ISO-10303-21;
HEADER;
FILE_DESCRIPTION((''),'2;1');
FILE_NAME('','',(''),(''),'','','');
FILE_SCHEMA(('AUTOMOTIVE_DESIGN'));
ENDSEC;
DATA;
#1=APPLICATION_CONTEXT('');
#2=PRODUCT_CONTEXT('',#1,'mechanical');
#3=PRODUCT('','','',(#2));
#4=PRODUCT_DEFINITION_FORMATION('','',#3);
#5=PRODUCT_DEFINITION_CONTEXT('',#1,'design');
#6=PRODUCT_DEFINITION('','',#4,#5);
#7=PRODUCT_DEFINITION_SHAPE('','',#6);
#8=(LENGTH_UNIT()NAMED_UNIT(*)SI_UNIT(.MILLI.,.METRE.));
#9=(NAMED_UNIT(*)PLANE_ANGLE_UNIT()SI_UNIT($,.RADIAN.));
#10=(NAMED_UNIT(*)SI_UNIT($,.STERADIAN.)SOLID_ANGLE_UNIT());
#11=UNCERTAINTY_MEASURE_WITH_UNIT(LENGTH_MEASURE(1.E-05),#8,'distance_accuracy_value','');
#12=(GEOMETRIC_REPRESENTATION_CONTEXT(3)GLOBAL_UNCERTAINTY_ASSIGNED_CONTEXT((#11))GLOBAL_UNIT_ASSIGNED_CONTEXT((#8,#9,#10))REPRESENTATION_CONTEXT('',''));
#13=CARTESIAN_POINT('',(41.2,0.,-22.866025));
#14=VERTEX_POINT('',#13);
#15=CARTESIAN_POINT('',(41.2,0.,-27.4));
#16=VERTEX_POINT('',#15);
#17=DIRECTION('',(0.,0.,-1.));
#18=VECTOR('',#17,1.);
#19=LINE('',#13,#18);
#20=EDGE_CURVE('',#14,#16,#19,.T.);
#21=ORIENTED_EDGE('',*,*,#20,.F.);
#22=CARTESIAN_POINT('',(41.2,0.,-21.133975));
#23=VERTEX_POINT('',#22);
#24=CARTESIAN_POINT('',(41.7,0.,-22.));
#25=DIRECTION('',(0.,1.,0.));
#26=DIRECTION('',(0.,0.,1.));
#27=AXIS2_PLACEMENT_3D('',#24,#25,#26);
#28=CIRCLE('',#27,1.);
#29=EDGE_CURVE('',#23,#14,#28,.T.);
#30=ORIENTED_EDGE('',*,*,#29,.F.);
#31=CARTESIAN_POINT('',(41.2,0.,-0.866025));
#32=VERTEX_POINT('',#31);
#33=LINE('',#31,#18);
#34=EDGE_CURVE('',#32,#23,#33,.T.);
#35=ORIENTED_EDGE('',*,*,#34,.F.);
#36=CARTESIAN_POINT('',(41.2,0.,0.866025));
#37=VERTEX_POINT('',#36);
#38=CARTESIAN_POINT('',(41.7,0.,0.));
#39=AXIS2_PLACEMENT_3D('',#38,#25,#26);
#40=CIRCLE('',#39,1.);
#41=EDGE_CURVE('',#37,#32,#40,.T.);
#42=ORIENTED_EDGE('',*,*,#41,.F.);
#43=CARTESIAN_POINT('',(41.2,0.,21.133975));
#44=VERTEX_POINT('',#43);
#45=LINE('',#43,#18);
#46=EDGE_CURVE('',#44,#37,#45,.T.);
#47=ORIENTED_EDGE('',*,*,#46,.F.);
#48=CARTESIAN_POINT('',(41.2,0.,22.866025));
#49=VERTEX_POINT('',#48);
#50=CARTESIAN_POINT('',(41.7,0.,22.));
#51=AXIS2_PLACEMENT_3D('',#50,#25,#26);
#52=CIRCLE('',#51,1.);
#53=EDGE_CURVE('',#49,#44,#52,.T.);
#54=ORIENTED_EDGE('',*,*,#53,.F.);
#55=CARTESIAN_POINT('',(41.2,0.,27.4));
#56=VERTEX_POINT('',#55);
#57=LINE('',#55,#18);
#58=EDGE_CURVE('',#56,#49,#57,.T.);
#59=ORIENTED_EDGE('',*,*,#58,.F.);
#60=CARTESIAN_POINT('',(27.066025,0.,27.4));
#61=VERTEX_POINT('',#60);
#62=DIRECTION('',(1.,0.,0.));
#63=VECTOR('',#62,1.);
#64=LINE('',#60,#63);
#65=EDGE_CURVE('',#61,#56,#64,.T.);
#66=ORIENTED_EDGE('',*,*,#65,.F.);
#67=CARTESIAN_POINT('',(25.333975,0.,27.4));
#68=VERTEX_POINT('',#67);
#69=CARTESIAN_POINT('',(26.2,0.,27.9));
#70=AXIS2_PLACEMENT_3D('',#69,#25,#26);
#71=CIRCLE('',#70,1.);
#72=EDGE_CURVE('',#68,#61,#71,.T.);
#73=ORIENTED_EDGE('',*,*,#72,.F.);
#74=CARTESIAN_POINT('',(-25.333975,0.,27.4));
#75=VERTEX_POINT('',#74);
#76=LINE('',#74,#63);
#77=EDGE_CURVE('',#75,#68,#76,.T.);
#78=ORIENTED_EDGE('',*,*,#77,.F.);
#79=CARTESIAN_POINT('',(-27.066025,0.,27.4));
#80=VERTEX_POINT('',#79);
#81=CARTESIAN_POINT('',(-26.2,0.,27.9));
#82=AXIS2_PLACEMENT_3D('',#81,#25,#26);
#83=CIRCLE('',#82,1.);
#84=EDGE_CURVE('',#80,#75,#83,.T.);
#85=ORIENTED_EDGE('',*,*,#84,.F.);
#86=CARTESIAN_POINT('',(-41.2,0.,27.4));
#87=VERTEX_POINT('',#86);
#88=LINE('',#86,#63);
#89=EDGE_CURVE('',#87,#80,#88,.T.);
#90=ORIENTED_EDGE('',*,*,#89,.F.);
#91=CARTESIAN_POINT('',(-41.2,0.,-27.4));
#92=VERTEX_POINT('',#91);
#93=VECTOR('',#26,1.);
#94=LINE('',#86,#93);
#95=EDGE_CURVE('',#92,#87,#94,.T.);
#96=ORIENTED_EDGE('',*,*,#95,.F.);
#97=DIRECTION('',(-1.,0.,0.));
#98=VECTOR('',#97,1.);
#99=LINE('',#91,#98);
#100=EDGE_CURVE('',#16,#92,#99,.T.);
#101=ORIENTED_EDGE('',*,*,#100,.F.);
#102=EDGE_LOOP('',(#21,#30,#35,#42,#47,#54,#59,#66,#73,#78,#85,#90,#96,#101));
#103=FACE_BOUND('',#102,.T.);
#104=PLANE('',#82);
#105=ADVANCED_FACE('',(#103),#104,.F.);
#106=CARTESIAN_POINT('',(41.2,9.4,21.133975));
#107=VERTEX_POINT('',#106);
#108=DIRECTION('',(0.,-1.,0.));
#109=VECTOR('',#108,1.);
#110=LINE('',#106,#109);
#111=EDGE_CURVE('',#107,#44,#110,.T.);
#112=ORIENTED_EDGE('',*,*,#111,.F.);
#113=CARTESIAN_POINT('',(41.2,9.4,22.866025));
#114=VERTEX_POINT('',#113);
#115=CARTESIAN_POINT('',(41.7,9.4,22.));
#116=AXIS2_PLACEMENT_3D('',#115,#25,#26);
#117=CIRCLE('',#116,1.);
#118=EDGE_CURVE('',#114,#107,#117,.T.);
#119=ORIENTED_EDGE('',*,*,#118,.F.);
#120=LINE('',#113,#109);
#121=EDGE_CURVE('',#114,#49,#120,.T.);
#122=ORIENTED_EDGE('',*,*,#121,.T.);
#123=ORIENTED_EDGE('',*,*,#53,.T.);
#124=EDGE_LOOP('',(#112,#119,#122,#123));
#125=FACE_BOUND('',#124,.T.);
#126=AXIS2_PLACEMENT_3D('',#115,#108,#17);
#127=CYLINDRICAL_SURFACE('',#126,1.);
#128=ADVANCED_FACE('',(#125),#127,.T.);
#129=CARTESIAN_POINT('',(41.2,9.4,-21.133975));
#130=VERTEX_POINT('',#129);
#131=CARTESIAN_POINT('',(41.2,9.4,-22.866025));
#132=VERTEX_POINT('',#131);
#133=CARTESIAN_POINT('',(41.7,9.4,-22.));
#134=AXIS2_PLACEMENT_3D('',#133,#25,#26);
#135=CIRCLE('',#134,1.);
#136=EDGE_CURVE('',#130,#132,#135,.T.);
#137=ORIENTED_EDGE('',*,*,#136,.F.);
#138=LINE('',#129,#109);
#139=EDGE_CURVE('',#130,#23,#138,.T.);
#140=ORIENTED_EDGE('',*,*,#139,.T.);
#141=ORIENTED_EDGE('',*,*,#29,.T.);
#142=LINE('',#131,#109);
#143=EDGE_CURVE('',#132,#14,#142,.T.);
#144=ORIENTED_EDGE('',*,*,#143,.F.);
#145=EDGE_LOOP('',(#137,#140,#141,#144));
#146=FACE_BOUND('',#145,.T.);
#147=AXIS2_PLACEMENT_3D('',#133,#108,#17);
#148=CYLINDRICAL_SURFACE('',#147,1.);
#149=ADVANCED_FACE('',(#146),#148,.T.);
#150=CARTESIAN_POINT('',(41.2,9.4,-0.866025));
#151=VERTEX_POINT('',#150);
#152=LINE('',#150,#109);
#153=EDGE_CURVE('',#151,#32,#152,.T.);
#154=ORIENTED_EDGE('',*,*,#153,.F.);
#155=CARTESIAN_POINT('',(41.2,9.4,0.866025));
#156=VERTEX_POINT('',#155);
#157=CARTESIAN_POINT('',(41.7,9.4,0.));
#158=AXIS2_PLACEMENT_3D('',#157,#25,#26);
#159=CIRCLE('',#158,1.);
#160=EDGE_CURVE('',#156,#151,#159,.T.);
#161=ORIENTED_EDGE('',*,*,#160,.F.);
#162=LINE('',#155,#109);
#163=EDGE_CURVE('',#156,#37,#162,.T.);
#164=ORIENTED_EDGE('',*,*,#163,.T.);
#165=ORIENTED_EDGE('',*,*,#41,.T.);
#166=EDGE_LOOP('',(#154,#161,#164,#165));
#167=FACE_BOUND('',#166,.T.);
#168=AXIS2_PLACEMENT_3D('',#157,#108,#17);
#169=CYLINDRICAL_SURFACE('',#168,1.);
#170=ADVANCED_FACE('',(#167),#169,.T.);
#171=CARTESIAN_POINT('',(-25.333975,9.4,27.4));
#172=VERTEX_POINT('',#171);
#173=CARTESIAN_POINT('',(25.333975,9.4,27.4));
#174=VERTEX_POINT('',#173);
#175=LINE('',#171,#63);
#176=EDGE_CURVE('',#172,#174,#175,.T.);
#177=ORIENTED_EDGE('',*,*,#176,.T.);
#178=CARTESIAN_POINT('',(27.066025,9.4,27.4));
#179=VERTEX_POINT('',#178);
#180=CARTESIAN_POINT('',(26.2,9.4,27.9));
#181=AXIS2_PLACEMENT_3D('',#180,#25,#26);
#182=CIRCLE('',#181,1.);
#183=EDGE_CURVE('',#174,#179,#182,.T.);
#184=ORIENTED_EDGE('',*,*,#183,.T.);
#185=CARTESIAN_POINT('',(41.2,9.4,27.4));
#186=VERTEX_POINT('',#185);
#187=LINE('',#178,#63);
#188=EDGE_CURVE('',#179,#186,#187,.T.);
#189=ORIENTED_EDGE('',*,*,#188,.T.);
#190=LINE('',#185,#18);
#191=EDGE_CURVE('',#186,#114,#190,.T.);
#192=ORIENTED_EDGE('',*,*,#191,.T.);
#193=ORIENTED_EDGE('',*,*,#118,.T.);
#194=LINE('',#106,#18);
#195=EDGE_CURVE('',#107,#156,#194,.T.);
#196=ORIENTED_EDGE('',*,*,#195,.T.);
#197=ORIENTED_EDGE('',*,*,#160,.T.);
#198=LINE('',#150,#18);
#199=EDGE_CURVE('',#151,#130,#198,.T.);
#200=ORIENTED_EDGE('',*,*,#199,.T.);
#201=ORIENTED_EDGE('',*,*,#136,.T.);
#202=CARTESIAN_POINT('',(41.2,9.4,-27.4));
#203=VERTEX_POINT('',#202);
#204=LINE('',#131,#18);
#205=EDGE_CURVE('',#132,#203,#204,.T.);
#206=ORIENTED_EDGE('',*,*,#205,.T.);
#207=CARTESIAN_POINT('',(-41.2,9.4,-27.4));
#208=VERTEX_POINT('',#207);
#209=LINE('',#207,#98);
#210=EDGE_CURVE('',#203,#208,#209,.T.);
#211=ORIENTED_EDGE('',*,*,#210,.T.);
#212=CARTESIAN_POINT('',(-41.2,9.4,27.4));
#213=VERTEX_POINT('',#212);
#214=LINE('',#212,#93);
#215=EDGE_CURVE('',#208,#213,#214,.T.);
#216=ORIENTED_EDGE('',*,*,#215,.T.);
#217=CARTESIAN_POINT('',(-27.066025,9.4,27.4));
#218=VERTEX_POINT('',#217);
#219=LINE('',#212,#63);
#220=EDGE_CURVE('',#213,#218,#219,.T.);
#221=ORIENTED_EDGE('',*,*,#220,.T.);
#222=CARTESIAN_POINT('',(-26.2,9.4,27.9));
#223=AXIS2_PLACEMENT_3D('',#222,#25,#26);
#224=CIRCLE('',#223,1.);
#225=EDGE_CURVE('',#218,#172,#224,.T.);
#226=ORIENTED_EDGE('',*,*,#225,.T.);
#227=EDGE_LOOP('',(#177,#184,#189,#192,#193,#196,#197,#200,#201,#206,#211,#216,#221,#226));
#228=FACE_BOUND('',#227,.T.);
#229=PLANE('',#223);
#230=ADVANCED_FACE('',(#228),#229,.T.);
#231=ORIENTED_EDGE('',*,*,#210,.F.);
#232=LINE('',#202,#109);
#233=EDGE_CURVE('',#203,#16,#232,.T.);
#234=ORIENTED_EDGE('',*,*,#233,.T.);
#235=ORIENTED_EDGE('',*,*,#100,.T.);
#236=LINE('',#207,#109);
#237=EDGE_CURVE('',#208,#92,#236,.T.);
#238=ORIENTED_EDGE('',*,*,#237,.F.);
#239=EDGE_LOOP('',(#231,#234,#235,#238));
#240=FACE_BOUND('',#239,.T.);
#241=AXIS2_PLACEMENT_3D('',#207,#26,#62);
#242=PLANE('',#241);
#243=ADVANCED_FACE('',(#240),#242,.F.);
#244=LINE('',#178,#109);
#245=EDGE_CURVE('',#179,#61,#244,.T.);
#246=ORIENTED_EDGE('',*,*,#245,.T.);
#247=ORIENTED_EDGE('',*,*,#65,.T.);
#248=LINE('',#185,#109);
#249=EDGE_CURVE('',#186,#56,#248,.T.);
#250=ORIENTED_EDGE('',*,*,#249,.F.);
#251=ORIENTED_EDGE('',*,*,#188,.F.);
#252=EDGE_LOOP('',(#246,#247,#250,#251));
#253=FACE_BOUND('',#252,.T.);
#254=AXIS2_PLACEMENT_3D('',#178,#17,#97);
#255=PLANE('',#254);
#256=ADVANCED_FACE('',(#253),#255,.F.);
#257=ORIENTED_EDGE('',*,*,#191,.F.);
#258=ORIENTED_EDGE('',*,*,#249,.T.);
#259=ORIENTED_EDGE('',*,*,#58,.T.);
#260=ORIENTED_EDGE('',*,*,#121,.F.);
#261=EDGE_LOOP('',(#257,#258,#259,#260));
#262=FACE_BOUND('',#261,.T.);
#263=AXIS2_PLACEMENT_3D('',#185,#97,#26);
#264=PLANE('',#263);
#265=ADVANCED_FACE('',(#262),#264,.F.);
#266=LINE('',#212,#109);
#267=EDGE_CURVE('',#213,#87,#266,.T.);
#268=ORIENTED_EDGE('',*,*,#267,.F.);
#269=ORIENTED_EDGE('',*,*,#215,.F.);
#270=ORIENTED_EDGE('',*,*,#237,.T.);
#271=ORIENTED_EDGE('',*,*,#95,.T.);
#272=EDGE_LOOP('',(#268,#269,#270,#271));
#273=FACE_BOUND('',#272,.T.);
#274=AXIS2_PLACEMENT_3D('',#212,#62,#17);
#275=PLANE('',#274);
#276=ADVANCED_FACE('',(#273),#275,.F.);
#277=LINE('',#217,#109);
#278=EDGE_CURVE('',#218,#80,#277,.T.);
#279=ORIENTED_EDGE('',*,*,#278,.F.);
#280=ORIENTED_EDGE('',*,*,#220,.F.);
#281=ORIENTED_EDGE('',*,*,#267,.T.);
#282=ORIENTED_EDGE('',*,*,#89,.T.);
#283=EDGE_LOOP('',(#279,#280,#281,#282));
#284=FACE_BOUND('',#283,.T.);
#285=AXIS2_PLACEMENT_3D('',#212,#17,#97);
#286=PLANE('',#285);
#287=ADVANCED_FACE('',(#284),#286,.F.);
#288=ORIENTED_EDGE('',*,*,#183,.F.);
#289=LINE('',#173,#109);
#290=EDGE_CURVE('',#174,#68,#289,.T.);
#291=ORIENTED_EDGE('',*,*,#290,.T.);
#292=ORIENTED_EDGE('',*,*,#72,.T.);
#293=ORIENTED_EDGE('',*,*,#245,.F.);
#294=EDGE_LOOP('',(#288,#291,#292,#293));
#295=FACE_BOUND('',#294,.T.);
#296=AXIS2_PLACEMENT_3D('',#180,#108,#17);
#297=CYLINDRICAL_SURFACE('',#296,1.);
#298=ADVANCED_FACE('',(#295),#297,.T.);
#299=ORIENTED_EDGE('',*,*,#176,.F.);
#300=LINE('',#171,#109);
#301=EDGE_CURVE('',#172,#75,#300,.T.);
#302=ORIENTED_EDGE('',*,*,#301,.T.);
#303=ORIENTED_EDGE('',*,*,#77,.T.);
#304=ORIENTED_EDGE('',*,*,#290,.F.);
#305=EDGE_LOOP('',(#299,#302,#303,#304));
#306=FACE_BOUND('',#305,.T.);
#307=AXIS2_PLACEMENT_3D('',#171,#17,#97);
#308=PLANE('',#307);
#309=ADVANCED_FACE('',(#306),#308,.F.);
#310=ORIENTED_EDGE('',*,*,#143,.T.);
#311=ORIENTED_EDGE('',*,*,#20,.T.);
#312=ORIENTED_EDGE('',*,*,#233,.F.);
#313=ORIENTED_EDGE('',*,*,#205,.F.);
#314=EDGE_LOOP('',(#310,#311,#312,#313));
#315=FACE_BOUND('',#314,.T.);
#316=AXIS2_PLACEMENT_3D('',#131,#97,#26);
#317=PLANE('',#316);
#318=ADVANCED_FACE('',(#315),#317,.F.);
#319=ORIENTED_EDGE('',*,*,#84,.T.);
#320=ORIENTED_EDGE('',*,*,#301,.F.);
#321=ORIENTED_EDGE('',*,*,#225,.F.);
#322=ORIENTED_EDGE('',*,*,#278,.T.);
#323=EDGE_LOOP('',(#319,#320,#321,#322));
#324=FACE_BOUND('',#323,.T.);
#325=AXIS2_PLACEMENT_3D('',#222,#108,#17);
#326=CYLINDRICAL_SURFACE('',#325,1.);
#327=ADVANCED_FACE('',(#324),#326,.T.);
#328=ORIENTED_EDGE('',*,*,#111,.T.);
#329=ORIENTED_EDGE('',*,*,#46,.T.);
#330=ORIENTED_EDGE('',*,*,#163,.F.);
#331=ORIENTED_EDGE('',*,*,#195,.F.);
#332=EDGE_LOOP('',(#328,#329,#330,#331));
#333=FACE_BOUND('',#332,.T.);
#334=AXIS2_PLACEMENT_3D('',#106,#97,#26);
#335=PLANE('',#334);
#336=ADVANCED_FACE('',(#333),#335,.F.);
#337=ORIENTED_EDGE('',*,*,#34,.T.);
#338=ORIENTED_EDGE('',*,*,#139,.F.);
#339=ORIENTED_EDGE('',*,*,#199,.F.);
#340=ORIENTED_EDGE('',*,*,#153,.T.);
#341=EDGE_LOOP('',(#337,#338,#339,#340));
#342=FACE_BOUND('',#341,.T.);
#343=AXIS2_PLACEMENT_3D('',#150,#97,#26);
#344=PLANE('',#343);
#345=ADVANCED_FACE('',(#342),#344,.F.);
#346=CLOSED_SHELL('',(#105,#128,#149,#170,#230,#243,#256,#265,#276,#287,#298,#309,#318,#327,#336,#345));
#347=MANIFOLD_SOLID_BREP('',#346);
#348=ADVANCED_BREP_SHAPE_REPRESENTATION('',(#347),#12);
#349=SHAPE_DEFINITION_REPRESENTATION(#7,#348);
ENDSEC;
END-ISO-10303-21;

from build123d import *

# Parameters (mm, degrees)
BOSS_EXTRUDE1_DEPTH = 9.4


with BuildPart() as part:
    # Sketch1 → Boss-Extrude1 (new body)
    with BuildSketch(Plane(origin=(0, 0, 0), x_dir=(1, 0, 0), z_dir=(0, 1, 0))):
        with BuildLine():
            Line((-41.2, -27.4), (-27.066025404, -27.4))
            ThreePointArc((-27.066025404, -27.4), (-26.2, -28.9), (-25.333974596, -27.4))
            Line((-25.333974596, -27.4), (25.333974596, -27.4))
            ThreePointArc((25.333974596, -27.4), (26.2, -28.9), (27.066025404, -27.4))
            Line((27.066025404, -27.4), (41.2, -27.4))
            Line((41.2, -27.4), (41.2, -22.866025404))
            ThreePointArc((41.2, -22.866025404), (42.7, -22), (41.2, -21.133974596))
            Line((41.2, -21.133974596), (41.2, -0.866025404))
            ThreePointArc((41.2, -0.866025404), (42.7, 0), (41.2, 0.866025404))
            Line((41.2, 0.866025404), (41.2, 21.133974596))
            ThreePointArc((41.2, 21.133974596), (42.7, 22), (41.2, 22.866025404))
            Line((41.2, 22.866025404), (41.2, 27.4))
            Line((41.2, 27.4), (-41.2, 27.4))
            Line((-41.2, 27.4), (-41.2, -27.4))
        make_face()
    extrude(amount=BOSS_EXTRUDE1_DEPTH)


solid = part.part
